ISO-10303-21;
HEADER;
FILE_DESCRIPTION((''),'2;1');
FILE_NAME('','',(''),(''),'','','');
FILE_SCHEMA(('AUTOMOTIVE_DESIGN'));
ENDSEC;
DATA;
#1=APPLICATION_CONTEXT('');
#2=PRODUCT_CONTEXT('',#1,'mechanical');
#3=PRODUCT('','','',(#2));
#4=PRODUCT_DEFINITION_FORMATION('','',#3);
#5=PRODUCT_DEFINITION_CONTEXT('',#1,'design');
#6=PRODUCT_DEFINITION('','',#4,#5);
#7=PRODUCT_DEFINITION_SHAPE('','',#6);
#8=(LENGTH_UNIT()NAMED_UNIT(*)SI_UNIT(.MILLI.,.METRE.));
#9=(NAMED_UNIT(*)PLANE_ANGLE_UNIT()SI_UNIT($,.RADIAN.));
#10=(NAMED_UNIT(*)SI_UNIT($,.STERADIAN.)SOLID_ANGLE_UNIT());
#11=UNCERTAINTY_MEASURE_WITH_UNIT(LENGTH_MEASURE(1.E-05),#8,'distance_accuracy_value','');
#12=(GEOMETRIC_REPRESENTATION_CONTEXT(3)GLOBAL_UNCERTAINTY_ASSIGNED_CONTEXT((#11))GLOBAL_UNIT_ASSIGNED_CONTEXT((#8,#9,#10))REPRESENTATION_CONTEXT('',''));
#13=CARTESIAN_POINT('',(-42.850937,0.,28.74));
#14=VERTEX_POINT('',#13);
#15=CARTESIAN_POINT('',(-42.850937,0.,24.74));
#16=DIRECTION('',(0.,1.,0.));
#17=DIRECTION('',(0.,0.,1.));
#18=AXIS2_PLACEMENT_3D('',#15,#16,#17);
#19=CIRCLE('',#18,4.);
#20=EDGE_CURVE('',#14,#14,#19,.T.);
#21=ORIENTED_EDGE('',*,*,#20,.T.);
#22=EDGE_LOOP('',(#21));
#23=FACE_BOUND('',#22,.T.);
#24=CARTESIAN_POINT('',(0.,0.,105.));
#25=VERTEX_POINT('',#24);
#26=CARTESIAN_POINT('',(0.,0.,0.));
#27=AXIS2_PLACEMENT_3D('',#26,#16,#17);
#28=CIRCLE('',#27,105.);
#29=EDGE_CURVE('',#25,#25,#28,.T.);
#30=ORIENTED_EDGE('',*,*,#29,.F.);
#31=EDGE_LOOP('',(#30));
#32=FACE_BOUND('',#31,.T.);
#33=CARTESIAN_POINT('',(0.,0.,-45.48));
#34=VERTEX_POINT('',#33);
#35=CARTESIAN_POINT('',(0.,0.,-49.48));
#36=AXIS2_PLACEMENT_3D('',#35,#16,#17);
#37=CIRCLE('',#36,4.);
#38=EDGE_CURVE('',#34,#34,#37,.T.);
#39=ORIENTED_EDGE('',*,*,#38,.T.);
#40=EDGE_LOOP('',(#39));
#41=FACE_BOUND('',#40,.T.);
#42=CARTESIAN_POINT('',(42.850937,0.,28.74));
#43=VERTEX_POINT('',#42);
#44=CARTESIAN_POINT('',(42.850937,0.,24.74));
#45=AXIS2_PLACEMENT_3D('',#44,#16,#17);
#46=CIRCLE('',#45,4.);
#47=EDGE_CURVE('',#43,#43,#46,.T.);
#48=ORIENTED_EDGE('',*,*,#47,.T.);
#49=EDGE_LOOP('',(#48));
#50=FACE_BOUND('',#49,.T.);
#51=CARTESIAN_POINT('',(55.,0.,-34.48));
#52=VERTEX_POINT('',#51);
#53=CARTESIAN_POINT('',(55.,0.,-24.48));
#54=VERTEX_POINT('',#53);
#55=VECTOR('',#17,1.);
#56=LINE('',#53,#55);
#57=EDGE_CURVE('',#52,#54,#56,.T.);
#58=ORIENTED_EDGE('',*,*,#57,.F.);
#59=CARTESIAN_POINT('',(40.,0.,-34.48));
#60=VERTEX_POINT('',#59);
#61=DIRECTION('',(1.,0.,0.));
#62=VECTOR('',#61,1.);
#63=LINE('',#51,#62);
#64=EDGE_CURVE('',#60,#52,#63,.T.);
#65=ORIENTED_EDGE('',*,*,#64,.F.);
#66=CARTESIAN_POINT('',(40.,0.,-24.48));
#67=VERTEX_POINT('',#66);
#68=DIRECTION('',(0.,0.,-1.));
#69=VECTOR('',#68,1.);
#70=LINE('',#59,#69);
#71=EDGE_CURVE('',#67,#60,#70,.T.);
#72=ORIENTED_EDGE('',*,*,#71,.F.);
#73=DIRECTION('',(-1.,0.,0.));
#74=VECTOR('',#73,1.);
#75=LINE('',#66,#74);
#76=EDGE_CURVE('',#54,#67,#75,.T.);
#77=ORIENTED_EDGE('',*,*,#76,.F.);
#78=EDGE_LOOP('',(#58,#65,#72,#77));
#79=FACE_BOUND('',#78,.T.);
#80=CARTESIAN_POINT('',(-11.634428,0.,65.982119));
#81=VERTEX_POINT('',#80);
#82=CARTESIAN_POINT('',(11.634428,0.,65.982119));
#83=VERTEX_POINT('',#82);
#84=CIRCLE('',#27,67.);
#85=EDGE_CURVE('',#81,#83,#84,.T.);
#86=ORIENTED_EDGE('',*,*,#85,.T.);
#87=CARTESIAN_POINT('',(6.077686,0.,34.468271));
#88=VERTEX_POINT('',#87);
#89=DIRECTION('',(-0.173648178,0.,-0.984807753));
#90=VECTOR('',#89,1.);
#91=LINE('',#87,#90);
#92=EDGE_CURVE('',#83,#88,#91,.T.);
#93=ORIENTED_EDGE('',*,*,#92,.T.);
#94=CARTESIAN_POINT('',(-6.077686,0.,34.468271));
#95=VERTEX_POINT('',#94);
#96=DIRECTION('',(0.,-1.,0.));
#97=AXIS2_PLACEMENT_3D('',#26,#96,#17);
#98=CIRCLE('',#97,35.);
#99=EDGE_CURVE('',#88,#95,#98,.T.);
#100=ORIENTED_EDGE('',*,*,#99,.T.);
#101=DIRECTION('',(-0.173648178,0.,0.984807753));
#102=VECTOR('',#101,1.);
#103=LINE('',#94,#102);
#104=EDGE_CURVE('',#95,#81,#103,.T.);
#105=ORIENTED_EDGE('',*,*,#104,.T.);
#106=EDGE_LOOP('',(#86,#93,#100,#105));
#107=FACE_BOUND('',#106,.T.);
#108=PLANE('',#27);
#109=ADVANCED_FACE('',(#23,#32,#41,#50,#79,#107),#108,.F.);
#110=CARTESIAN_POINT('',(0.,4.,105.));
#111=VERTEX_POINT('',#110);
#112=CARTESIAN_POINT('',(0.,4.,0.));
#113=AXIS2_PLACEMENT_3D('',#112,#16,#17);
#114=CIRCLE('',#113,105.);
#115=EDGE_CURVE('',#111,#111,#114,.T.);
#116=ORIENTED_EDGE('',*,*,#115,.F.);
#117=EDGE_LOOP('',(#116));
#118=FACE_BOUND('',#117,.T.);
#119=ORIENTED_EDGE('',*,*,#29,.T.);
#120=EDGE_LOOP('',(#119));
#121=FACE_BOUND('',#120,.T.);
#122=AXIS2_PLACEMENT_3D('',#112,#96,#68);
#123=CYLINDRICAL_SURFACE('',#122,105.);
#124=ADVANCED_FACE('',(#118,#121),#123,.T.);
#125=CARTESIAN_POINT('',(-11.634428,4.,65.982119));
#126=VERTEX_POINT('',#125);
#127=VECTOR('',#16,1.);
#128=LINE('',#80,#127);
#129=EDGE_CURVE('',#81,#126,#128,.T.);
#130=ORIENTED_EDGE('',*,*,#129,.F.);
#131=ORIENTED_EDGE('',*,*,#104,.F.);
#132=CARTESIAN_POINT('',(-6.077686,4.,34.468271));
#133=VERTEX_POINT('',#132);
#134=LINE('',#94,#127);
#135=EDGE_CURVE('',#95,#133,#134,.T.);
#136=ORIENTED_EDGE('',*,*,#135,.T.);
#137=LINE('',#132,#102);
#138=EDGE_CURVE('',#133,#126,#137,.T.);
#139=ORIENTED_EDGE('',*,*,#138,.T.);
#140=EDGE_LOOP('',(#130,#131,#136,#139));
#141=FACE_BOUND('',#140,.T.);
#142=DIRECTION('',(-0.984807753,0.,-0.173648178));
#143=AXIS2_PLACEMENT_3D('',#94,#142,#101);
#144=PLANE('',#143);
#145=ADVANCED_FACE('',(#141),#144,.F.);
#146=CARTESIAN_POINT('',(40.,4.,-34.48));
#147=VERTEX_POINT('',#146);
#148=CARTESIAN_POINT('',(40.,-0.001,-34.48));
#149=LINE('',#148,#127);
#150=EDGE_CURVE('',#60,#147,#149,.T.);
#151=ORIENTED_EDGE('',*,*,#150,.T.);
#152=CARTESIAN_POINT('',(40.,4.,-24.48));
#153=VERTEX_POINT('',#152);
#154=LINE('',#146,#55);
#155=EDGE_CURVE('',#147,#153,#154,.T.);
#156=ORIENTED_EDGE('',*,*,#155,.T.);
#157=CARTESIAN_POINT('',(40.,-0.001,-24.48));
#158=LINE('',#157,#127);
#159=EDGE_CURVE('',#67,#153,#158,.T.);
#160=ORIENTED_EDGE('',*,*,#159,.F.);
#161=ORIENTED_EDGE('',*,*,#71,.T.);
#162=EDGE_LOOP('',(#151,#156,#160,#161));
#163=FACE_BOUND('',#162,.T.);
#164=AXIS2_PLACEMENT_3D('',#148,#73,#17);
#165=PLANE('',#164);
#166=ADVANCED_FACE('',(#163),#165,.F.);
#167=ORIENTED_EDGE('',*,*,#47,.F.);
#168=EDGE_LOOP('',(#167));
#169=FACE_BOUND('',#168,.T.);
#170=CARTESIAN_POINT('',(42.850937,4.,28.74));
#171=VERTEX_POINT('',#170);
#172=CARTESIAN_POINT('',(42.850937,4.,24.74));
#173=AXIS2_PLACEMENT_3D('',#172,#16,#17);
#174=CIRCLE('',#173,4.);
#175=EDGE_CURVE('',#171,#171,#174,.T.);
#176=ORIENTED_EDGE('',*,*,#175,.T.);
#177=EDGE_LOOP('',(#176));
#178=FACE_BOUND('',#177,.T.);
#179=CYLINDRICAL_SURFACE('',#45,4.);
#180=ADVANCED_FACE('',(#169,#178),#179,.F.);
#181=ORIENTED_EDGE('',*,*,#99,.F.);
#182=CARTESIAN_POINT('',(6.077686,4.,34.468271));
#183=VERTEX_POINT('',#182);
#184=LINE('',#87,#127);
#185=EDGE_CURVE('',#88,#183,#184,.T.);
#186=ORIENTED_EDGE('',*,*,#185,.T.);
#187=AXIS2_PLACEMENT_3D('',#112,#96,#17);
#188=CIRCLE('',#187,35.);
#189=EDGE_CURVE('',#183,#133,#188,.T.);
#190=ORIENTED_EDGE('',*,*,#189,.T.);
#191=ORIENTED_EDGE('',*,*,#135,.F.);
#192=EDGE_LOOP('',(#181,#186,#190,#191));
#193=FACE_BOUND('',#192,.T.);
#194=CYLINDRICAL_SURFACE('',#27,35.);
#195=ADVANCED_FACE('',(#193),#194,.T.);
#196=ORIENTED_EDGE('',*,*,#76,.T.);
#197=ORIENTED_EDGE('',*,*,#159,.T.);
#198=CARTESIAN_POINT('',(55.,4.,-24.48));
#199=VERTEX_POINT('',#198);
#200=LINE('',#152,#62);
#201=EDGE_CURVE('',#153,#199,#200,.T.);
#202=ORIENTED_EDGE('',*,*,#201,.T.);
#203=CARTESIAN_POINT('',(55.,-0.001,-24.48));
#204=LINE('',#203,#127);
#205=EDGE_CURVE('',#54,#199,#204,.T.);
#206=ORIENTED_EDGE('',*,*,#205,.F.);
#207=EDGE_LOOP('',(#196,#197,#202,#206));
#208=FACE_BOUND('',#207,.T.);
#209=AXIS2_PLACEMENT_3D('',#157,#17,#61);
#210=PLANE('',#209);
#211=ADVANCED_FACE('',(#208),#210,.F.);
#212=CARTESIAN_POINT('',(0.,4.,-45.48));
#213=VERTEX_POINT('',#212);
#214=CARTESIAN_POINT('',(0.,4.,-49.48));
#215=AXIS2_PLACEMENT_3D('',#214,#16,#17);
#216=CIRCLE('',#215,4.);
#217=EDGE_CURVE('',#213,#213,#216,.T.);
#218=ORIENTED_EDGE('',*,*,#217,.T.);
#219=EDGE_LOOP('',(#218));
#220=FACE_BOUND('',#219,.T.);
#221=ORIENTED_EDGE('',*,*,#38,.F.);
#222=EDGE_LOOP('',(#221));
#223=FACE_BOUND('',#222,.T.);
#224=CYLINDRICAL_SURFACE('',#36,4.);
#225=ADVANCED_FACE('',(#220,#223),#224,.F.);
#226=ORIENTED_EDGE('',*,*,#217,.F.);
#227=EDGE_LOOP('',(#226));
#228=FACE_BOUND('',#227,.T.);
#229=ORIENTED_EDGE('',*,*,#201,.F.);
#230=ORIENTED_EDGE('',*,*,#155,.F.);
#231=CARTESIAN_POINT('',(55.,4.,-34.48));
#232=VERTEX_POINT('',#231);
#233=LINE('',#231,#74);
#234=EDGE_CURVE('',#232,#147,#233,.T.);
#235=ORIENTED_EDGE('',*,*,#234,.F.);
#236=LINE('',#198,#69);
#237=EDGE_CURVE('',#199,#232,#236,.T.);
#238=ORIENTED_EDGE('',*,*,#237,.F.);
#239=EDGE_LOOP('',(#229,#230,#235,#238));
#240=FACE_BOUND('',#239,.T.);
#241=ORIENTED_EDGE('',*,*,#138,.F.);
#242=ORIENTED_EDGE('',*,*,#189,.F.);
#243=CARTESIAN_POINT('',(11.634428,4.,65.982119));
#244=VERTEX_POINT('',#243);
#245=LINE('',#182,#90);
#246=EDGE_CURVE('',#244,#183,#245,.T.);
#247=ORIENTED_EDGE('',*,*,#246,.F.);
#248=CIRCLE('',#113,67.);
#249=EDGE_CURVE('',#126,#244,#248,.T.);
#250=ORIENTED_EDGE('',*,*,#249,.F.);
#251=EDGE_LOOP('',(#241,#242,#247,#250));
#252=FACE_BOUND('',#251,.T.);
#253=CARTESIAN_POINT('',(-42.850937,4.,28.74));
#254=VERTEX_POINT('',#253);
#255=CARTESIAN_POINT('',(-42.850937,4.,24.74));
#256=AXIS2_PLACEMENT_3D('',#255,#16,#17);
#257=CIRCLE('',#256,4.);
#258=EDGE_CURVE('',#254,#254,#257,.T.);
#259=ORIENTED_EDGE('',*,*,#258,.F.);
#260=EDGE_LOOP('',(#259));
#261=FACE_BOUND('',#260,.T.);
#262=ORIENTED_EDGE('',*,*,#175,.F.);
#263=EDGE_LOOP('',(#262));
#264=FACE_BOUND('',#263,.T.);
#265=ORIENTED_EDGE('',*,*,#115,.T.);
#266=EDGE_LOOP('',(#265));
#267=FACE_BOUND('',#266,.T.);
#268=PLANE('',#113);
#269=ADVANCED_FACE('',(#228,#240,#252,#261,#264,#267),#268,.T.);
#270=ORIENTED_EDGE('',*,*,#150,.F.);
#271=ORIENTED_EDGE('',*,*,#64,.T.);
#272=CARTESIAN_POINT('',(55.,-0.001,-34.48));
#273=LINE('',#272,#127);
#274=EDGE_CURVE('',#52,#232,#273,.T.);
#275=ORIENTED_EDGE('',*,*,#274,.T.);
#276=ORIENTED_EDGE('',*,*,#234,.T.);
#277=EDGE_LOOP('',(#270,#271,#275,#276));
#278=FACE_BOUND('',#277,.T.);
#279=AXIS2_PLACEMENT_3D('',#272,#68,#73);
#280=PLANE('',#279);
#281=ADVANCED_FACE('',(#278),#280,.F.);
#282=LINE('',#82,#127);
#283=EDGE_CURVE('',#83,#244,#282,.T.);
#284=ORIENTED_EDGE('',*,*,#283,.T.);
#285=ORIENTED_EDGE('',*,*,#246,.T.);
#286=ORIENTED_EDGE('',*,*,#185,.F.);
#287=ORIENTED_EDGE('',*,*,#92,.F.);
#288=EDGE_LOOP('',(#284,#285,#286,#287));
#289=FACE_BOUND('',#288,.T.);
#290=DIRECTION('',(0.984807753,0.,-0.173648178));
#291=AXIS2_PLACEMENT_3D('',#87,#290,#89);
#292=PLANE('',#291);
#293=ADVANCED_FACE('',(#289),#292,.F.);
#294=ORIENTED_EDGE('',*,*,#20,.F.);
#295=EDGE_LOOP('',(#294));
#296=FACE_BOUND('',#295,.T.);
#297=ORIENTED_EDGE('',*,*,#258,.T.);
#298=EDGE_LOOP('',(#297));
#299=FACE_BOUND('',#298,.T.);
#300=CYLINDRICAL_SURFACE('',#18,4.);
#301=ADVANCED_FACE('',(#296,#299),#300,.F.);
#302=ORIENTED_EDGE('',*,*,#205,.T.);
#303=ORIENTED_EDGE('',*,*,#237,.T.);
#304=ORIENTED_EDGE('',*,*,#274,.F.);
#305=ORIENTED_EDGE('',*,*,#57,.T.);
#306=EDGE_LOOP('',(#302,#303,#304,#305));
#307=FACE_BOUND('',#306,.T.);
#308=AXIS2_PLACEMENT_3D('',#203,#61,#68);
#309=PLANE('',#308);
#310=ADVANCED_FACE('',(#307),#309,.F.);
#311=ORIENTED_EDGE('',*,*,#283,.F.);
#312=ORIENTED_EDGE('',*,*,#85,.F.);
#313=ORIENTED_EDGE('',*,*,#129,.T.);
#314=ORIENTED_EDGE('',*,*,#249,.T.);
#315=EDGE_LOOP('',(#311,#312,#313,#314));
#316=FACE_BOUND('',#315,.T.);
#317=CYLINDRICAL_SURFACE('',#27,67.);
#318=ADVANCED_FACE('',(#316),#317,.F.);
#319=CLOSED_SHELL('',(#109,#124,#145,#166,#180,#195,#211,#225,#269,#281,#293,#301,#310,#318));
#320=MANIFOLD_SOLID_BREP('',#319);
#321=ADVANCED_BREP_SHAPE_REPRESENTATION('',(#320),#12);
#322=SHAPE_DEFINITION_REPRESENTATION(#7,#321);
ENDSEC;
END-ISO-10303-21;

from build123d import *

# Parameters (mm, degrees)
ESBO_O1_R                = 105
RESSALTO_EXTRUS_O1_DEPTH = 4
CORTE_EXTRUS_O1_DEPTH    = 5
ESBO_O3_R                = 4
CORTE_EXTRUS_O2_DEPTH    = 5
CORTE_EXTRUS_O3_REACH    = 6
ESBO_O4_W                = 15
ESBO_O4_H                = 10


with BuildPart() as part:
    # Esboço1 → Ressalto-extrusão1 (new body)
    with BuildSketch(Plane(origin=(0, 0, 0), x_dir=(1, 0, 0), z_dir=(0, 1, 0))):
        Circle(ESBO_O1_R)
    extrude(amount=RESSALTO_EXTRUS_O1_DEPTH)

    # Esboço2 → Corte-extrusão1 (cut, through all)
    with BuildSketch(Plane(origin=(0, 4, 0), x_dir=(1, 0, 0), z_dir=(0, 1, 0))):
        with BuildLine():
            Line((-6.077686218, -34.468271355), (-11.634427904, -65.982119452))
            ThreePointArc((-11.634427904, -65.982119452), (0, -67), (11.634427904, -65.982119452))
            Line((11.634427904, -65.982119452), (6.077686218, -34.468271355))
            ThreePointArc((6.077686218, -34.468271355), (0, -35), (-6.077686218, -34.468271355))
        make_face()
    extrude(amount=-CORTE_EXTRUS_O1_DEPTH, mode=Mode.SUBTRACT)

    # Esboço3 → Corte-extrusão2 (cut, through all)
    with BuildSketch(Plane(origin=(0, 4, 0), x_dir=(1, 0, 0), z_dir=(0, 1, 0))):
        with Locations((42.850936979, -24.74)):
            Circle(ESBO_O3_R)
        with Locations((0, 49.48)):
            Circle(ESBO_O3_R)
        with Locations((-42.850936979, -24.74)):
            Circle(ESBO_O3_R)
    extrude(amount=-CORTE_EXTRUS_O2_DEPTH, mode=Mode.SUBTRACT)

    # Esboço4 → Corte-extrusão3 (cut, up to next)
    with BuildSketch(Plane(origin=(0, 4, 0), x_dir=(1, 0, 0), z_dir=(0, 1, 0)), mode=Mode.PRIVATE) as corte_extrus_o3_sk1:
        with Locations((47.5, 29.48)):
            Rectangle(ESBO_O4_W, ESBO_O4_H)
    corte_extrus_o3_tool1 = extrude(corte_extrus_o3_sk1.sketch, amount=-CORTE_EXTRUS_O3_REACH, mode=Mode.PRIVATE) & part.part
    add(corte_extrus_o3_tool1.solids().sort_by_distance((47.5, 4, -29.48))[0], mode=Mode.SUBTRACT)


solid = part.part
